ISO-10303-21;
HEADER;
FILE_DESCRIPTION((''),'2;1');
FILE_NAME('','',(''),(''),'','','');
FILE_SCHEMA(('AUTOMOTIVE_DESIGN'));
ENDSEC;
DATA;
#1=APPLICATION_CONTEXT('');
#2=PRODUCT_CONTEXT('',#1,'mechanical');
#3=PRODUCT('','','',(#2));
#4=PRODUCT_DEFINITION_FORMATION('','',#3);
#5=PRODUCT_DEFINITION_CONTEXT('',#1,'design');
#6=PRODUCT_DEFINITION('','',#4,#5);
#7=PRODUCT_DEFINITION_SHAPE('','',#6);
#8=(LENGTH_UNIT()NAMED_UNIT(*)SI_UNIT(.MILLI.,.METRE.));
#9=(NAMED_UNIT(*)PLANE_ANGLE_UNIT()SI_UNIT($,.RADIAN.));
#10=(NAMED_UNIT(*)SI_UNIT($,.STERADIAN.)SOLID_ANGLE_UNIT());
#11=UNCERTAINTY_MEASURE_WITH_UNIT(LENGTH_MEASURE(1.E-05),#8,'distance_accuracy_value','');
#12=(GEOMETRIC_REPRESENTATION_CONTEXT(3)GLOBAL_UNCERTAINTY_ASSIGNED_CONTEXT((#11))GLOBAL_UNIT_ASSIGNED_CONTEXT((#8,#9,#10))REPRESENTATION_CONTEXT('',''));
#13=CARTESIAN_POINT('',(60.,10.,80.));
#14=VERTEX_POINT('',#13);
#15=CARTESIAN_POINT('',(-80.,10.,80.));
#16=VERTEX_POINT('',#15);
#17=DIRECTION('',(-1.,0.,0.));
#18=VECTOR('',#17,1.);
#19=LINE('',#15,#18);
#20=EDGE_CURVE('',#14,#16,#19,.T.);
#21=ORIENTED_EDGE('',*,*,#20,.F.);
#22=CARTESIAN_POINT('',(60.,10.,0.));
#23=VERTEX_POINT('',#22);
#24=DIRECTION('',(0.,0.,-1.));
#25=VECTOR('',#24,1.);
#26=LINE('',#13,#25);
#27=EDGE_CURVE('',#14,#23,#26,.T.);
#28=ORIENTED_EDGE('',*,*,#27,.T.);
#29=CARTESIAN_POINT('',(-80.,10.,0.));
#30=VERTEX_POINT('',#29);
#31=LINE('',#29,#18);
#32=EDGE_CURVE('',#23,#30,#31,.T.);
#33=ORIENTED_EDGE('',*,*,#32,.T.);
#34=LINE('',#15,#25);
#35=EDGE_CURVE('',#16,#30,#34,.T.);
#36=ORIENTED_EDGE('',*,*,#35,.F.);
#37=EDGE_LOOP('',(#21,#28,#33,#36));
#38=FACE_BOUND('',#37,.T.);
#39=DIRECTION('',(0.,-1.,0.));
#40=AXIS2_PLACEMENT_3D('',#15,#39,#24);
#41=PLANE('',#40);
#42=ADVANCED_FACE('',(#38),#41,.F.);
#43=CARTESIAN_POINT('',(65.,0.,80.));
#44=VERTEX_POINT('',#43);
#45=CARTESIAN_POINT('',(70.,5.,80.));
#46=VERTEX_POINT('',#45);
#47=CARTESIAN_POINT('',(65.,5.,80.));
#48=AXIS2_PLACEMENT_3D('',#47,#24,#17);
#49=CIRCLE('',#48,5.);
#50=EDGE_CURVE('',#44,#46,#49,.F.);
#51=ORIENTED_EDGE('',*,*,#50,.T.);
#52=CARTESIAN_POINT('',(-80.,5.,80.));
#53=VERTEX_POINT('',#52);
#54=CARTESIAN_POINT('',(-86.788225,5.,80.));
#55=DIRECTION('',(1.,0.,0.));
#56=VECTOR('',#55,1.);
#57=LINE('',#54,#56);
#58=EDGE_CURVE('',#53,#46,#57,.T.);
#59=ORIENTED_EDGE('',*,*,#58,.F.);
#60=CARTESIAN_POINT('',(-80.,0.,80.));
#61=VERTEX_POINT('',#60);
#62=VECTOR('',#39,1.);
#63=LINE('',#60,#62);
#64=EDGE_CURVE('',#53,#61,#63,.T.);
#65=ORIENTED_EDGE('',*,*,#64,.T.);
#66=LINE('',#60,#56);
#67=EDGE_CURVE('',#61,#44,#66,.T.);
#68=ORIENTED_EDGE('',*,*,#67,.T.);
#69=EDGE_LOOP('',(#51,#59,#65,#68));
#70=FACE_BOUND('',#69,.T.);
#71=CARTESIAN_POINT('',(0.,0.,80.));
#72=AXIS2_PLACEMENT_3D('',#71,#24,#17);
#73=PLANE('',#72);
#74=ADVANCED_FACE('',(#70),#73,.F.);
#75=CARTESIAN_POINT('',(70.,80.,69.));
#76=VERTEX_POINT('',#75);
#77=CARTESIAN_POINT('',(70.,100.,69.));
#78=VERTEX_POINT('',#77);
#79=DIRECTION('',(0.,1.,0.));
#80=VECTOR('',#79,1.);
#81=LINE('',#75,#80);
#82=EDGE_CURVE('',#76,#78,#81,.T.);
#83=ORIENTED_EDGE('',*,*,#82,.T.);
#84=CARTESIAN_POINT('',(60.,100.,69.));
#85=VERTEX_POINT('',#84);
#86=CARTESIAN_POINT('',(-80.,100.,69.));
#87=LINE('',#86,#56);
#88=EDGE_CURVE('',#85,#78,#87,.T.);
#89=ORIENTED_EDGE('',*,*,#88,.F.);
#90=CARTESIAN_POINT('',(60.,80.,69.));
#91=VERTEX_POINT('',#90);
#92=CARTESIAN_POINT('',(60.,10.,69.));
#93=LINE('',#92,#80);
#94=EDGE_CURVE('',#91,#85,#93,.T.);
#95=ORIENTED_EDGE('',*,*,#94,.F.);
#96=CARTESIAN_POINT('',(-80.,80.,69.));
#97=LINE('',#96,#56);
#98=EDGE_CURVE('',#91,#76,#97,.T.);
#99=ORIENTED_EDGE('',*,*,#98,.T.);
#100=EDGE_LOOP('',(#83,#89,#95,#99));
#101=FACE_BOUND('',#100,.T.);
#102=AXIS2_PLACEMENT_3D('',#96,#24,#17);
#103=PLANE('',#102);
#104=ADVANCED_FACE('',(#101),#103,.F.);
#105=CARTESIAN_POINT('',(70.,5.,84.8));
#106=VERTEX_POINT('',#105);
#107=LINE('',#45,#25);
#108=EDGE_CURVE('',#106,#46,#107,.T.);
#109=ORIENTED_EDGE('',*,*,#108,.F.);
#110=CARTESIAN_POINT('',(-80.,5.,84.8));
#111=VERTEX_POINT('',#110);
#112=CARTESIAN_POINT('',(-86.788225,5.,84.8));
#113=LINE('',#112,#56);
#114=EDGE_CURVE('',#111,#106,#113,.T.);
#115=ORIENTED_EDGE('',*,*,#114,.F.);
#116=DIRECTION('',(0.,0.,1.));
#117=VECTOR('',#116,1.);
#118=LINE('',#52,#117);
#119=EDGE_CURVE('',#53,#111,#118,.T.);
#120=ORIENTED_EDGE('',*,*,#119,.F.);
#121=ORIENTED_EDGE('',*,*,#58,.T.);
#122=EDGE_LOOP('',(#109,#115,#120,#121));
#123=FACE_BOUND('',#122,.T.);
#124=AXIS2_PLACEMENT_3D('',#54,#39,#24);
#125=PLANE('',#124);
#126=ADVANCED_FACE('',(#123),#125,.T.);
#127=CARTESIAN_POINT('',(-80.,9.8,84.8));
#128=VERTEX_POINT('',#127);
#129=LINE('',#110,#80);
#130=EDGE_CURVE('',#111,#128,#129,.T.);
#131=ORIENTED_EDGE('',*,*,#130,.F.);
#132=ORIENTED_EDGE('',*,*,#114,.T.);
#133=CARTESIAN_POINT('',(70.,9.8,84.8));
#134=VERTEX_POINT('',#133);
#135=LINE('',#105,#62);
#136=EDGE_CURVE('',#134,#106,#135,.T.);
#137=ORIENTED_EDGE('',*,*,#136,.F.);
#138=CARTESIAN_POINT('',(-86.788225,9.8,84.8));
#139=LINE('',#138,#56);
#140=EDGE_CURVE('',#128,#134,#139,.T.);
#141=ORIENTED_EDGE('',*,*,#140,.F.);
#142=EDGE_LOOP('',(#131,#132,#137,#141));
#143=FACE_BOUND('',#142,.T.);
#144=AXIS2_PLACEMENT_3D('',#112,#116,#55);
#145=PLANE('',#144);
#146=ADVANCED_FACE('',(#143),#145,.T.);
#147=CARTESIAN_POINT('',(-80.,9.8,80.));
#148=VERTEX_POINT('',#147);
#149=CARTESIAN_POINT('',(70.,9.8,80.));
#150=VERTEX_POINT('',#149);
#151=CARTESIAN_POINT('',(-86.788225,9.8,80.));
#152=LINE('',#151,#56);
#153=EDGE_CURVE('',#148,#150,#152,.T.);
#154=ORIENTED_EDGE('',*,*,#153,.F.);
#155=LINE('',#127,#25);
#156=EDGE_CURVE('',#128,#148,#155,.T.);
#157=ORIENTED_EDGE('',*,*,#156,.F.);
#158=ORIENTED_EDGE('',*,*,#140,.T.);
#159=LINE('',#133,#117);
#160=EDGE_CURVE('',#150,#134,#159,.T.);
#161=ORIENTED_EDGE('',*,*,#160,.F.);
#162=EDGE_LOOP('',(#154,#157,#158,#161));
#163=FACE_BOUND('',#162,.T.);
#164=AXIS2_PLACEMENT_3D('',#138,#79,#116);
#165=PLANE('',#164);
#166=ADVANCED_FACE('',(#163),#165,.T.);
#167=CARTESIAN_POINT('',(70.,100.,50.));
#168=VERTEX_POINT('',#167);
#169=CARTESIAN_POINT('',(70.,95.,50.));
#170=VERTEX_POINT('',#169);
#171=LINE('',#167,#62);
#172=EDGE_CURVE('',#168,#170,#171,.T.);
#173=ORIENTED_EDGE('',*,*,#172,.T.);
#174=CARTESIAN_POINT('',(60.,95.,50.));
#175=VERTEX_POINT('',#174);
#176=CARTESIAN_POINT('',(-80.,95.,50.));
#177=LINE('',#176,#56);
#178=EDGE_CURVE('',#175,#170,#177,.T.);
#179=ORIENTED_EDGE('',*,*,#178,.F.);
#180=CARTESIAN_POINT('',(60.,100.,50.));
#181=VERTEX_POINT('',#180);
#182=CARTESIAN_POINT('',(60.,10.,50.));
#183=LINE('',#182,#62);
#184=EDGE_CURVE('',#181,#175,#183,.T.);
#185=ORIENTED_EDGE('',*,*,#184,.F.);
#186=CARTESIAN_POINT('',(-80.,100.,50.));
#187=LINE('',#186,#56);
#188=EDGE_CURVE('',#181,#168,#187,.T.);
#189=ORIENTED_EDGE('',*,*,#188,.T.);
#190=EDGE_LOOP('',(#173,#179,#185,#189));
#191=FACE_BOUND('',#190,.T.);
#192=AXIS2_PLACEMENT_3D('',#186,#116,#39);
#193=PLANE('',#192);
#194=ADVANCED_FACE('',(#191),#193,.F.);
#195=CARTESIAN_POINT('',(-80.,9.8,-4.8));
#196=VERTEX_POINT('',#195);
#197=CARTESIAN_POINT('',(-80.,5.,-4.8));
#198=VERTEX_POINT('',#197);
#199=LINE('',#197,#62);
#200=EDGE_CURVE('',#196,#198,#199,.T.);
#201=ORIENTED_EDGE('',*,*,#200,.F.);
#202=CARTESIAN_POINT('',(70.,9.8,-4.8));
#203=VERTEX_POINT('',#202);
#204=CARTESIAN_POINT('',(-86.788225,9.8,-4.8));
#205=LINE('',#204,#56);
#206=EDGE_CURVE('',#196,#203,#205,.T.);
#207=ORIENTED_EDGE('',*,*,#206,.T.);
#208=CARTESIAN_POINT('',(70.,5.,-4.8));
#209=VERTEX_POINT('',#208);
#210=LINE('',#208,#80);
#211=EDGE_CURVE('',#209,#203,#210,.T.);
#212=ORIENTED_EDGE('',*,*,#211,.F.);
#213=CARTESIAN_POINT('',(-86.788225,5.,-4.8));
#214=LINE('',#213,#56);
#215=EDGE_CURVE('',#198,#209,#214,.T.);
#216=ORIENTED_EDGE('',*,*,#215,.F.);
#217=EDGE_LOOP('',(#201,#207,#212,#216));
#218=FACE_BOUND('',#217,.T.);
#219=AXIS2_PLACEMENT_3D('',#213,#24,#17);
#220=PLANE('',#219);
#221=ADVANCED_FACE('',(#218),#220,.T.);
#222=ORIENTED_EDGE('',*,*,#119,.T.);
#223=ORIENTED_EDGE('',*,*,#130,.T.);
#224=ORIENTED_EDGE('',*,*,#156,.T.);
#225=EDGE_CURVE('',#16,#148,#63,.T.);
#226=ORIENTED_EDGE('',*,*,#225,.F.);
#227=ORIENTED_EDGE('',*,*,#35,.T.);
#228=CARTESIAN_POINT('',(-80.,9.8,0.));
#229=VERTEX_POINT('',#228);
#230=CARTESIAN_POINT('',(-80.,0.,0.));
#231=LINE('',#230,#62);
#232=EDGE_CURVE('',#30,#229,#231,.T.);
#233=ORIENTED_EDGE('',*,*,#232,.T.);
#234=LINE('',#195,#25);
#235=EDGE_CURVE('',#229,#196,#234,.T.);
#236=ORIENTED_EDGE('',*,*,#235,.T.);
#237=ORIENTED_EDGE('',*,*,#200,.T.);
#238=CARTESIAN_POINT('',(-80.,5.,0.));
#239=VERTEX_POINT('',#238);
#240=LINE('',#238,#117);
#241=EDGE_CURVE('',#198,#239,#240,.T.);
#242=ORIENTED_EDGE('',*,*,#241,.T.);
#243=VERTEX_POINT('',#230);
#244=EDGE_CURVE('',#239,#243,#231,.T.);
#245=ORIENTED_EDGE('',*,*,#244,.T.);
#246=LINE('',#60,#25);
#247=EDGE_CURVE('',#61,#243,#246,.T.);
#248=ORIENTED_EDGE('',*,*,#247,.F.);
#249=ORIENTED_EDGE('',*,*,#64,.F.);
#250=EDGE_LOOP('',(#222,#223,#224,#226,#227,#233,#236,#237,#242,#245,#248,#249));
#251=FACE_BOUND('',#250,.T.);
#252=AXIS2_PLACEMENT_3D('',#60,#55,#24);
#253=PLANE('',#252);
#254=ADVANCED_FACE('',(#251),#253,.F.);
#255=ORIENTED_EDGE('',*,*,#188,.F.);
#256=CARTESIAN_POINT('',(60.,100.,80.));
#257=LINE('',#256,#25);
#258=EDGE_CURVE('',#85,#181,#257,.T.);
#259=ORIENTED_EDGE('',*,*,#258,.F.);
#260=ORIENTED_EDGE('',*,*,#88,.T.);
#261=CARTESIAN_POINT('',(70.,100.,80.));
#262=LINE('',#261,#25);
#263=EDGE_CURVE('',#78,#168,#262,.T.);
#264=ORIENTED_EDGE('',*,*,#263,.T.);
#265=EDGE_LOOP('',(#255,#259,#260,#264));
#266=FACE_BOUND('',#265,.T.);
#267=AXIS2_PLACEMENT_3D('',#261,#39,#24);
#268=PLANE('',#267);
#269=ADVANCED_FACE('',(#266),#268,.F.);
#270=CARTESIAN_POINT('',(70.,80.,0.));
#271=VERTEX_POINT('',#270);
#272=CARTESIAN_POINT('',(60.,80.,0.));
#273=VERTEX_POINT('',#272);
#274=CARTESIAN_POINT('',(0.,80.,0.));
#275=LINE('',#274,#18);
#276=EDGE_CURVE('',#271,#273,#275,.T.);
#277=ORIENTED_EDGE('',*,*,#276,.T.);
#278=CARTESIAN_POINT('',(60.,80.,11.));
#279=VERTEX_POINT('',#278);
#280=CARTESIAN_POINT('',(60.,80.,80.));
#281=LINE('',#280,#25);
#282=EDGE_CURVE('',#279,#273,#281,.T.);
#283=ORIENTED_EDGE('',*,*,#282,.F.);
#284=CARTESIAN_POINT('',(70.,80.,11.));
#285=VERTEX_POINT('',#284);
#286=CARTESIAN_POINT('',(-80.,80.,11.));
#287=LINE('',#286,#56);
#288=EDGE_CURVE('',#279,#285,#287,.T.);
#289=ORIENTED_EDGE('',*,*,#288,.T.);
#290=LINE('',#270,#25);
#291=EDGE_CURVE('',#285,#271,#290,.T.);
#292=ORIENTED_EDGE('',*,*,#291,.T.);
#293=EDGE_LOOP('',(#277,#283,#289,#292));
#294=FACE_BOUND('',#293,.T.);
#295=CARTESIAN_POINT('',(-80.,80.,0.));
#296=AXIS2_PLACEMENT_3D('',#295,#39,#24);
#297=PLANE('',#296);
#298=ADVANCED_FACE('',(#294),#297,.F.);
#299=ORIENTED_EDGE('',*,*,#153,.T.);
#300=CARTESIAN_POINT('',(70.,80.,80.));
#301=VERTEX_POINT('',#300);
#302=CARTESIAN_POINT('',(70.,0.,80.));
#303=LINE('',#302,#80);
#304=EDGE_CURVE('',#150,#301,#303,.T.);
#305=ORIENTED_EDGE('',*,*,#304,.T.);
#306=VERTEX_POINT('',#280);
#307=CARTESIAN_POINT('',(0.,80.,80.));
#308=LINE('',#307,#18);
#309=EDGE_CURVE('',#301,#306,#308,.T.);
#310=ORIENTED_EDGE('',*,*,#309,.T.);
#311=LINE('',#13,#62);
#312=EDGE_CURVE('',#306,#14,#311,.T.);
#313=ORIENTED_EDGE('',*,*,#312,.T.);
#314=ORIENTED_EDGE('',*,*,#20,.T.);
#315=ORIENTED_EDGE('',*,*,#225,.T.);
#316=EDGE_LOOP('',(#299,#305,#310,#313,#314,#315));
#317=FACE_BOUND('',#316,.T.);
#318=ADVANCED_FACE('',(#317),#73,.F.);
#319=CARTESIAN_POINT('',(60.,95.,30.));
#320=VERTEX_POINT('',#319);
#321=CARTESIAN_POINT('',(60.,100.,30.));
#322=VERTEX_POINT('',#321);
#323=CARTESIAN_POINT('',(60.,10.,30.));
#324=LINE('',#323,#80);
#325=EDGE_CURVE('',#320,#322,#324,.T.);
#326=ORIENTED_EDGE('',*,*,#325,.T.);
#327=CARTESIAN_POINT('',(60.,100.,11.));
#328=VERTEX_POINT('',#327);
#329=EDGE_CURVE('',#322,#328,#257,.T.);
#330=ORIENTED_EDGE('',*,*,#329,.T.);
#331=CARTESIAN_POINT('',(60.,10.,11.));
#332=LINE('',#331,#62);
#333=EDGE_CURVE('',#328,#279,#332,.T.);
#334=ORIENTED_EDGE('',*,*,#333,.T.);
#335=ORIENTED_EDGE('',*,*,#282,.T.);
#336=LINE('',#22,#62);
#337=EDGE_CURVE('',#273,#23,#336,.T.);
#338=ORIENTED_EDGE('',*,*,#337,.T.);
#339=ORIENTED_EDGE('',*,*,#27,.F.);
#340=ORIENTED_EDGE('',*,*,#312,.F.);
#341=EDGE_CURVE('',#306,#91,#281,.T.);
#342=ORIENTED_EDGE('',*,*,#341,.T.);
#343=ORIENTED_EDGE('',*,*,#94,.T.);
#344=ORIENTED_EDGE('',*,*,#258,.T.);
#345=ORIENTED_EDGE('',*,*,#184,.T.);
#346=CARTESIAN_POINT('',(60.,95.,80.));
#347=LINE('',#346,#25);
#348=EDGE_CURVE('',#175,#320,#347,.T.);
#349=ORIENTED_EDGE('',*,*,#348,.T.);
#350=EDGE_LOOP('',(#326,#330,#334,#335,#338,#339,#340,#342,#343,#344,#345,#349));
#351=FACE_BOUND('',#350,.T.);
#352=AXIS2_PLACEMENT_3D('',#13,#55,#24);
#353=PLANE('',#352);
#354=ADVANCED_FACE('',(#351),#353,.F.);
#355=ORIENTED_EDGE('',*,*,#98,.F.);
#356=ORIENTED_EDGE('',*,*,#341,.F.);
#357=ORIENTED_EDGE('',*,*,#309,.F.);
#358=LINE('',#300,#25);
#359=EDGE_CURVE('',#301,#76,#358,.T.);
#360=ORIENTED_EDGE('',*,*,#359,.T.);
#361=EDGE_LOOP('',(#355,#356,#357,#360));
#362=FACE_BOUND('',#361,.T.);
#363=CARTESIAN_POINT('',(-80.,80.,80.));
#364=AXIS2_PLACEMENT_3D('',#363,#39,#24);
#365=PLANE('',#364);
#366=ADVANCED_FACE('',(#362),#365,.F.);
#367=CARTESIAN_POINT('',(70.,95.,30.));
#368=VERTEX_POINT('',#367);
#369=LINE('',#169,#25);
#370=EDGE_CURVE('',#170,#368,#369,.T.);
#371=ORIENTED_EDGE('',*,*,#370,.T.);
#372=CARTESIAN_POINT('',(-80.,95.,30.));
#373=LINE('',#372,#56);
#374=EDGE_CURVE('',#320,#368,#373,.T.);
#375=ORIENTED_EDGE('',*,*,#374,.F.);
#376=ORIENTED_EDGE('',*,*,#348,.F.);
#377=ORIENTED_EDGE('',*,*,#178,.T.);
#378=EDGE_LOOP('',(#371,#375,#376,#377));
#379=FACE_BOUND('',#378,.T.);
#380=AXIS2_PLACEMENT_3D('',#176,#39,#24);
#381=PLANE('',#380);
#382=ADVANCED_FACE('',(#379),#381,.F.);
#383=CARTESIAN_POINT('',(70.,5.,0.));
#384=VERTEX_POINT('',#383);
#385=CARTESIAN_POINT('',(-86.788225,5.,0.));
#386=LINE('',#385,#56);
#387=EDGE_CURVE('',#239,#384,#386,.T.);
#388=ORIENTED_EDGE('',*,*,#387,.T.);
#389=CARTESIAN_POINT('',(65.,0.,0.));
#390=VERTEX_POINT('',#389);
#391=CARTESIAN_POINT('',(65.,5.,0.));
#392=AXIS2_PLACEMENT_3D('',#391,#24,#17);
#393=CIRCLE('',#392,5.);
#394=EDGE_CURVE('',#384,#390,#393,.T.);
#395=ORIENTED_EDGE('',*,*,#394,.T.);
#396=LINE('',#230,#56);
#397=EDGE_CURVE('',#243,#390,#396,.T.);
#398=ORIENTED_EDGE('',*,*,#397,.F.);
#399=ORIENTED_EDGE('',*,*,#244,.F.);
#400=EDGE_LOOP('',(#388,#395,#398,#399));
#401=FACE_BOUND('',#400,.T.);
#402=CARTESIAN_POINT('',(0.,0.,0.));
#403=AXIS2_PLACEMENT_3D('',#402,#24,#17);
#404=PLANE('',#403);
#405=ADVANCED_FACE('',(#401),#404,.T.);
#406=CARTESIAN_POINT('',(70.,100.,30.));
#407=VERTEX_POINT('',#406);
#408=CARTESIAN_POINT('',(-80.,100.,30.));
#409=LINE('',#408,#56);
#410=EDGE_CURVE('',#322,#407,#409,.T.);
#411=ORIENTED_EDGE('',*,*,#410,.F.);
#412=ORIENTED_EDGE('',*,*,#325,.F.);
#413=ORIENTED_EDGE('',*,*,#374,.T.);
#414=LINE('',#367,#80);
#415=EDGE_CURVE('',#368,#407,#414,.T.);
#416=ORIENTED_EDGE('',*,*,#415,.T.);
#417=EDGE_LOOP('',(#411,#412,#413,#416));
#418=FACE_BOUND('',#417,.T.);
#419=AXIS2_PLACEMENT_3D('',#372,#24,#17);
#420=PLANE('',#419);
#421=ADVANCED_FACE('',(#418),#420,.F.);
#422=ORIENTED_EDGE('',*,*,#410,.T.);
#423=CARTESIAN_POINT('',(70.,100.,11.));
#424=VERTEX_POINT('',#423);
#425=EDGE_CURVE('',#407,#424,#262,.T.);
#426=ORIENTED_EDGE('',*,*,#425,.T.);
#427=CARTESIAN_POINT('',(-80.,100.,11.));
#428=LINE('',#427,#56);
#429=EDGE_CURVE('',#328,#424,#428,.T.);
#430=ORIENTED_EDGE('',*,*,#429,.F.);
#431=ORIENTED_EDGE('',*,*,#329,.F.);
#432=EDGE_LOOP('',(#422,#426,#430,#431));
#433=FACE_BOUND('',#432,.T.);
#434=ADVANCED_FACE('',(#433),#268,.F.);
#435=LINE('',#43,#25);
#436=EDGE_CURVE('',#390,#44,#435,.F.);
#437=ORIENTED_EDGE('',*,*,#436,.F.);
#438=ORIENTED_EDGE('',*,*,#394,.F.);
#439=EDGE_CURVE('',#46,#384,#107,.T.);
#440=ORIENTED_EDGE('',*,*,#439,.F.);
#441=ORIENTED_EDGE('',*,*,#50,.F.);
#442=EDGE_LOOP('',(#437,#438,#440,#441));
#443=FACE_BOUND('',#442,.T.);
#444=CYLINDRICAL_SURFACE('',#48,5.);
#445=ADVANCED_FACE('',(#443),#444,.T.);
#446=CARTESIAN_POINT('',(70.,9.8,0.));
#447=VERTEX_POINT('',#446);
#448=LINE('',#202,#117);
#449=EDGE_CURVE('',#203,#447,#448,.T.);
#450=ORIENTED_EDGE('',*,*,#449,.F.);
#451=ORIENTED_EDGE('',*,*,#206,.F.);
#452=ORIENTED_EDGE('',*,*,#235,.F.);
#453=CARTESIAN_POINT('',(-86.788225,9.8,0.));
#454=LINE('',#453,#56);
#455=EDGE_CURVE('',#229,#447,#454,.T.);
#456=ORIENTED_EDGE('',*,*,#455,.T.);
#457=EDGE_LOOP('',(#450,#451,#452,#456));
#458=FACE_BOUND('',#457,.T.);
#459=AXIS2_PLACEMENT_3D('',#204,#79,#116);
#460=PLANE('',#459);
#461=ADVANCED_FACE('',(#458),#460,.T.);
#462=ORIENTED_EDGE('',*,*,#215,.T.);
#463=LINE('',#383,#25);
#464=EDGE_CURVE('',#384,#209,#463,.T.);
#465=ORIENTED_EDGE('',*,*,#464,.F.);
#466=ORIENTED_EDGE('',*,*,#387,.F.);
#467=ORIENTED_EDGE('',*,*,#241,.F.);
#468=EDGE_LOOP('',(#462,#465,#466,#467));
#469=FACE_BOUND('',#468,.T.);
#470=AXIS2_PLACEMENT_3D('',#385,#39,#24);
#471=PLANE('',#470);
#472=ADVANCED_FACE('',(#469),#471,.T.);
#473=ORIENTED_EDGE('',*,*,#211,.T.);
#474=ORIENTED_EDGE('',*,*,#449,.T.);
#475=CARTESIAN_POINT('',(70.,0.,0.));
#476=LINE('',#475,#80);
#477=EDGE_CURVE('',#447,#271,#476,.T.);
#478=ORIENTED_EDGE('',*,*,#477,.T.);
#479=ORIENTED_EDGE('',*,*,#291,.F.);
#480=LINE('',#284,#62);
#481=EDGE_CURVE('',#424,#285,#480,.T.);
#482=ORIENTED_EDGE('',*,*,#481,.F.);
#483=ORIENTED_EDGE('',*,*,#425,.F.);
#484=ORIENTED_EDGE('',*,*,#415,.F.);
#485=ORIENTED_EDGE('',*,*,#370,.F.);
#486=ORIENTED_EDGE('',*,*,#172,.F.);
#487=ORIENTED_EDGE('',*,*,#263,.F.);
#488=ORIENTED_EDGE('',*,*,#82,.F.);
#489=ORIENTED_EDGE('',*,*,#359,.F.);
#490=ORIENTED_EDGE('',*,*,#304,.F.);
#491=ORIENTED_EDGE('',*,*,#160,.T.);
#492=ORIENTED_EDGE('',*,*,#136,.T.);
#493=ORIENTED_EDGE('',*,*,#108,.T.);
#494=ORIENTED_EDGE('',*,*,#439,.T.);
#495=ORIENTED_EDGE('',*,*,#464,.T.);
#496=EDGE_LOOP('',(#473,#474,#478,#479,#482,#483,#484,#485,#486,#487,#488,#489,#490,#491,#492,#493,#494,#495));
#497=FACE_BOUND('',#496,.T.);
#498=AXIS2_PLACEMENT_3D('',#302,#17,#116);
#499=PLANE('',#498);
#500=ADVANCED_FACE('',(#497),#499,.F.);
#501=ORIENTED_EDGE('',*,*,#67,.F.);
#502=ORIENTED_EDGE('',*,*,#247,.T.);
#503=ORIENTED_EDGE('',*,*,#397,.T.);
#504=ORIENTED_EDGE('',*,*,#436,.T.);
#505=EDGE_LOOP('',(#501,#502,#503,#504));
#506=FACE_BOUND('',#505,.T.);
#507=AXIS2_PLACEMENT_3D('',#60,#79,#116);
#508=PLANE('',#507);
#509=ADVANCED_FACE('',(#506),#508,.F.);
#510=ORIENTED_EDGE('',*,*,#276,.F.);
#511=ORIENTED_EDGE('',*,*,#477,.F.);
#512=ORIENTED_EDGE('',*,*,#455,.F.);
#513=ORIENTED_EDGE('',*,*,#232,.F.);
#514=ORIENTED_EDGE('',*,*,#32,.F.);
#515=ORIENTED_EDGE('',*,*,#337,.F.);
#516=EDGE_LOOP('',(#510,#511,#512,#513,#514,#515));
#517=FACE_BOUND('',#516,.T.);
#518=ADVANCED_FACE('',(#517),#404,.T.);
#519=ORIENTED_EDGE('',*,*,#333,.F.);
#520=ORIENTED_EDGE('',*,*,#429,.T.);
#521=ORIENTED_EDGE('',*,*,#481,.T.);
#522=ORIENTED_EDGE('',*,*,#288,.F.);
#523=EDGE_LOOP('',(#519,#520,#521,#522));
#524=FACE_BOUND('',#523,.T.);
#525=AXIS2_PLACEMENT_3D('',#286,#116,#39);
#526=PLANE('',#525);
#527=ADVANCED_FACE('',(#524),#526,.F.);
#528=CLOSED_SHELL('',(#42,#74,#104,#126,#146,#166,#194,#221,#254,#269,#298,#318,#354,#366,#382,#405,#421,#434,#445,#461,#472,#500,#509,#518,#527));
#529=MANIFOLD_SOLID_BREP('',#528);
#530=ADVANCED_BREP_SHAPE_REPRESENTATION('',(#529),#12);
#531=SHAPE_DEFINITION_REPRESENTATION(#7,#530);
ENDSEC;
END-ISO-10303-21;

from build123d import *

# Parameters (mm, degrees)
BOSS_EXTRUDE1_DEPTH = 80
SKETCH2_W           = 4.8
SKETCH2_H           = 4.8
BOSS_EXTRUDE2_DEPTH = 150
SKETCH3_W           = 11
SKETCH3_H           = 20
CUT_EXTRUDE1_DEPTH  = 200.226102707
FILLET1_R           = 5


with BuildPart() as part:
    # Sketch1 → Boss-Extrude1 (new body)
    with BuildSketch(Plane.XY):
        Polygon((-80, 0), (70, 0), (70, 100), (60, 100), (60, 10), (-80, 10), align=None)
    extrude(amount=BOSS_EXTRUDE1_DEPTH)

    # Sketch2 → Boss-Extrude2 (add)
    with BuildSketch(Plane(origin=(70, 0, 0), x_dir=(0, 0, -1), z_dir=(1, 0, 0))):
        with Locations((-82.4, 7.4)):
            Rectangle(SKETCH2_W, SKETCH2_H)
        with Locations((2.4, 7.4)):
            Rectangle(SKETCH2_W, SKETCH2_H)
    extrude(amount=-BOSS_EXTRUDE2_DEPTH)

    # Sketch3 → Cut-Extrude1 (cut, through all)
    with BuildSketch(Plane(origin=(70, 0, 0), x_dir=(0, 0, -1), z_dir=(1, 0, 0))):
        Polygon((-40, 100), (-50, 100), (-50, 95), (-30, 95), (-30, 100), align=None)
        with Locations((-74.5, 90)):
            Rectangle(SKETCH3_W, SKETCH3_H)
        with Locations((-5.5, 90)):
            Rectangle(SKETCH3_W, SKETCH3_H)
    extrude(amount=-CUT_EXTRUDE1_DEPTH, mode=Mode.SUBTRACT)

    # Fillet1
    fillet1_edges = [part.edges().sort_by_distance(p)[0] for p in [
        (70, 0, 40),
    ]]
    fillet(fillet1_edges, radius=FILLET1_R)


solid = part.part
